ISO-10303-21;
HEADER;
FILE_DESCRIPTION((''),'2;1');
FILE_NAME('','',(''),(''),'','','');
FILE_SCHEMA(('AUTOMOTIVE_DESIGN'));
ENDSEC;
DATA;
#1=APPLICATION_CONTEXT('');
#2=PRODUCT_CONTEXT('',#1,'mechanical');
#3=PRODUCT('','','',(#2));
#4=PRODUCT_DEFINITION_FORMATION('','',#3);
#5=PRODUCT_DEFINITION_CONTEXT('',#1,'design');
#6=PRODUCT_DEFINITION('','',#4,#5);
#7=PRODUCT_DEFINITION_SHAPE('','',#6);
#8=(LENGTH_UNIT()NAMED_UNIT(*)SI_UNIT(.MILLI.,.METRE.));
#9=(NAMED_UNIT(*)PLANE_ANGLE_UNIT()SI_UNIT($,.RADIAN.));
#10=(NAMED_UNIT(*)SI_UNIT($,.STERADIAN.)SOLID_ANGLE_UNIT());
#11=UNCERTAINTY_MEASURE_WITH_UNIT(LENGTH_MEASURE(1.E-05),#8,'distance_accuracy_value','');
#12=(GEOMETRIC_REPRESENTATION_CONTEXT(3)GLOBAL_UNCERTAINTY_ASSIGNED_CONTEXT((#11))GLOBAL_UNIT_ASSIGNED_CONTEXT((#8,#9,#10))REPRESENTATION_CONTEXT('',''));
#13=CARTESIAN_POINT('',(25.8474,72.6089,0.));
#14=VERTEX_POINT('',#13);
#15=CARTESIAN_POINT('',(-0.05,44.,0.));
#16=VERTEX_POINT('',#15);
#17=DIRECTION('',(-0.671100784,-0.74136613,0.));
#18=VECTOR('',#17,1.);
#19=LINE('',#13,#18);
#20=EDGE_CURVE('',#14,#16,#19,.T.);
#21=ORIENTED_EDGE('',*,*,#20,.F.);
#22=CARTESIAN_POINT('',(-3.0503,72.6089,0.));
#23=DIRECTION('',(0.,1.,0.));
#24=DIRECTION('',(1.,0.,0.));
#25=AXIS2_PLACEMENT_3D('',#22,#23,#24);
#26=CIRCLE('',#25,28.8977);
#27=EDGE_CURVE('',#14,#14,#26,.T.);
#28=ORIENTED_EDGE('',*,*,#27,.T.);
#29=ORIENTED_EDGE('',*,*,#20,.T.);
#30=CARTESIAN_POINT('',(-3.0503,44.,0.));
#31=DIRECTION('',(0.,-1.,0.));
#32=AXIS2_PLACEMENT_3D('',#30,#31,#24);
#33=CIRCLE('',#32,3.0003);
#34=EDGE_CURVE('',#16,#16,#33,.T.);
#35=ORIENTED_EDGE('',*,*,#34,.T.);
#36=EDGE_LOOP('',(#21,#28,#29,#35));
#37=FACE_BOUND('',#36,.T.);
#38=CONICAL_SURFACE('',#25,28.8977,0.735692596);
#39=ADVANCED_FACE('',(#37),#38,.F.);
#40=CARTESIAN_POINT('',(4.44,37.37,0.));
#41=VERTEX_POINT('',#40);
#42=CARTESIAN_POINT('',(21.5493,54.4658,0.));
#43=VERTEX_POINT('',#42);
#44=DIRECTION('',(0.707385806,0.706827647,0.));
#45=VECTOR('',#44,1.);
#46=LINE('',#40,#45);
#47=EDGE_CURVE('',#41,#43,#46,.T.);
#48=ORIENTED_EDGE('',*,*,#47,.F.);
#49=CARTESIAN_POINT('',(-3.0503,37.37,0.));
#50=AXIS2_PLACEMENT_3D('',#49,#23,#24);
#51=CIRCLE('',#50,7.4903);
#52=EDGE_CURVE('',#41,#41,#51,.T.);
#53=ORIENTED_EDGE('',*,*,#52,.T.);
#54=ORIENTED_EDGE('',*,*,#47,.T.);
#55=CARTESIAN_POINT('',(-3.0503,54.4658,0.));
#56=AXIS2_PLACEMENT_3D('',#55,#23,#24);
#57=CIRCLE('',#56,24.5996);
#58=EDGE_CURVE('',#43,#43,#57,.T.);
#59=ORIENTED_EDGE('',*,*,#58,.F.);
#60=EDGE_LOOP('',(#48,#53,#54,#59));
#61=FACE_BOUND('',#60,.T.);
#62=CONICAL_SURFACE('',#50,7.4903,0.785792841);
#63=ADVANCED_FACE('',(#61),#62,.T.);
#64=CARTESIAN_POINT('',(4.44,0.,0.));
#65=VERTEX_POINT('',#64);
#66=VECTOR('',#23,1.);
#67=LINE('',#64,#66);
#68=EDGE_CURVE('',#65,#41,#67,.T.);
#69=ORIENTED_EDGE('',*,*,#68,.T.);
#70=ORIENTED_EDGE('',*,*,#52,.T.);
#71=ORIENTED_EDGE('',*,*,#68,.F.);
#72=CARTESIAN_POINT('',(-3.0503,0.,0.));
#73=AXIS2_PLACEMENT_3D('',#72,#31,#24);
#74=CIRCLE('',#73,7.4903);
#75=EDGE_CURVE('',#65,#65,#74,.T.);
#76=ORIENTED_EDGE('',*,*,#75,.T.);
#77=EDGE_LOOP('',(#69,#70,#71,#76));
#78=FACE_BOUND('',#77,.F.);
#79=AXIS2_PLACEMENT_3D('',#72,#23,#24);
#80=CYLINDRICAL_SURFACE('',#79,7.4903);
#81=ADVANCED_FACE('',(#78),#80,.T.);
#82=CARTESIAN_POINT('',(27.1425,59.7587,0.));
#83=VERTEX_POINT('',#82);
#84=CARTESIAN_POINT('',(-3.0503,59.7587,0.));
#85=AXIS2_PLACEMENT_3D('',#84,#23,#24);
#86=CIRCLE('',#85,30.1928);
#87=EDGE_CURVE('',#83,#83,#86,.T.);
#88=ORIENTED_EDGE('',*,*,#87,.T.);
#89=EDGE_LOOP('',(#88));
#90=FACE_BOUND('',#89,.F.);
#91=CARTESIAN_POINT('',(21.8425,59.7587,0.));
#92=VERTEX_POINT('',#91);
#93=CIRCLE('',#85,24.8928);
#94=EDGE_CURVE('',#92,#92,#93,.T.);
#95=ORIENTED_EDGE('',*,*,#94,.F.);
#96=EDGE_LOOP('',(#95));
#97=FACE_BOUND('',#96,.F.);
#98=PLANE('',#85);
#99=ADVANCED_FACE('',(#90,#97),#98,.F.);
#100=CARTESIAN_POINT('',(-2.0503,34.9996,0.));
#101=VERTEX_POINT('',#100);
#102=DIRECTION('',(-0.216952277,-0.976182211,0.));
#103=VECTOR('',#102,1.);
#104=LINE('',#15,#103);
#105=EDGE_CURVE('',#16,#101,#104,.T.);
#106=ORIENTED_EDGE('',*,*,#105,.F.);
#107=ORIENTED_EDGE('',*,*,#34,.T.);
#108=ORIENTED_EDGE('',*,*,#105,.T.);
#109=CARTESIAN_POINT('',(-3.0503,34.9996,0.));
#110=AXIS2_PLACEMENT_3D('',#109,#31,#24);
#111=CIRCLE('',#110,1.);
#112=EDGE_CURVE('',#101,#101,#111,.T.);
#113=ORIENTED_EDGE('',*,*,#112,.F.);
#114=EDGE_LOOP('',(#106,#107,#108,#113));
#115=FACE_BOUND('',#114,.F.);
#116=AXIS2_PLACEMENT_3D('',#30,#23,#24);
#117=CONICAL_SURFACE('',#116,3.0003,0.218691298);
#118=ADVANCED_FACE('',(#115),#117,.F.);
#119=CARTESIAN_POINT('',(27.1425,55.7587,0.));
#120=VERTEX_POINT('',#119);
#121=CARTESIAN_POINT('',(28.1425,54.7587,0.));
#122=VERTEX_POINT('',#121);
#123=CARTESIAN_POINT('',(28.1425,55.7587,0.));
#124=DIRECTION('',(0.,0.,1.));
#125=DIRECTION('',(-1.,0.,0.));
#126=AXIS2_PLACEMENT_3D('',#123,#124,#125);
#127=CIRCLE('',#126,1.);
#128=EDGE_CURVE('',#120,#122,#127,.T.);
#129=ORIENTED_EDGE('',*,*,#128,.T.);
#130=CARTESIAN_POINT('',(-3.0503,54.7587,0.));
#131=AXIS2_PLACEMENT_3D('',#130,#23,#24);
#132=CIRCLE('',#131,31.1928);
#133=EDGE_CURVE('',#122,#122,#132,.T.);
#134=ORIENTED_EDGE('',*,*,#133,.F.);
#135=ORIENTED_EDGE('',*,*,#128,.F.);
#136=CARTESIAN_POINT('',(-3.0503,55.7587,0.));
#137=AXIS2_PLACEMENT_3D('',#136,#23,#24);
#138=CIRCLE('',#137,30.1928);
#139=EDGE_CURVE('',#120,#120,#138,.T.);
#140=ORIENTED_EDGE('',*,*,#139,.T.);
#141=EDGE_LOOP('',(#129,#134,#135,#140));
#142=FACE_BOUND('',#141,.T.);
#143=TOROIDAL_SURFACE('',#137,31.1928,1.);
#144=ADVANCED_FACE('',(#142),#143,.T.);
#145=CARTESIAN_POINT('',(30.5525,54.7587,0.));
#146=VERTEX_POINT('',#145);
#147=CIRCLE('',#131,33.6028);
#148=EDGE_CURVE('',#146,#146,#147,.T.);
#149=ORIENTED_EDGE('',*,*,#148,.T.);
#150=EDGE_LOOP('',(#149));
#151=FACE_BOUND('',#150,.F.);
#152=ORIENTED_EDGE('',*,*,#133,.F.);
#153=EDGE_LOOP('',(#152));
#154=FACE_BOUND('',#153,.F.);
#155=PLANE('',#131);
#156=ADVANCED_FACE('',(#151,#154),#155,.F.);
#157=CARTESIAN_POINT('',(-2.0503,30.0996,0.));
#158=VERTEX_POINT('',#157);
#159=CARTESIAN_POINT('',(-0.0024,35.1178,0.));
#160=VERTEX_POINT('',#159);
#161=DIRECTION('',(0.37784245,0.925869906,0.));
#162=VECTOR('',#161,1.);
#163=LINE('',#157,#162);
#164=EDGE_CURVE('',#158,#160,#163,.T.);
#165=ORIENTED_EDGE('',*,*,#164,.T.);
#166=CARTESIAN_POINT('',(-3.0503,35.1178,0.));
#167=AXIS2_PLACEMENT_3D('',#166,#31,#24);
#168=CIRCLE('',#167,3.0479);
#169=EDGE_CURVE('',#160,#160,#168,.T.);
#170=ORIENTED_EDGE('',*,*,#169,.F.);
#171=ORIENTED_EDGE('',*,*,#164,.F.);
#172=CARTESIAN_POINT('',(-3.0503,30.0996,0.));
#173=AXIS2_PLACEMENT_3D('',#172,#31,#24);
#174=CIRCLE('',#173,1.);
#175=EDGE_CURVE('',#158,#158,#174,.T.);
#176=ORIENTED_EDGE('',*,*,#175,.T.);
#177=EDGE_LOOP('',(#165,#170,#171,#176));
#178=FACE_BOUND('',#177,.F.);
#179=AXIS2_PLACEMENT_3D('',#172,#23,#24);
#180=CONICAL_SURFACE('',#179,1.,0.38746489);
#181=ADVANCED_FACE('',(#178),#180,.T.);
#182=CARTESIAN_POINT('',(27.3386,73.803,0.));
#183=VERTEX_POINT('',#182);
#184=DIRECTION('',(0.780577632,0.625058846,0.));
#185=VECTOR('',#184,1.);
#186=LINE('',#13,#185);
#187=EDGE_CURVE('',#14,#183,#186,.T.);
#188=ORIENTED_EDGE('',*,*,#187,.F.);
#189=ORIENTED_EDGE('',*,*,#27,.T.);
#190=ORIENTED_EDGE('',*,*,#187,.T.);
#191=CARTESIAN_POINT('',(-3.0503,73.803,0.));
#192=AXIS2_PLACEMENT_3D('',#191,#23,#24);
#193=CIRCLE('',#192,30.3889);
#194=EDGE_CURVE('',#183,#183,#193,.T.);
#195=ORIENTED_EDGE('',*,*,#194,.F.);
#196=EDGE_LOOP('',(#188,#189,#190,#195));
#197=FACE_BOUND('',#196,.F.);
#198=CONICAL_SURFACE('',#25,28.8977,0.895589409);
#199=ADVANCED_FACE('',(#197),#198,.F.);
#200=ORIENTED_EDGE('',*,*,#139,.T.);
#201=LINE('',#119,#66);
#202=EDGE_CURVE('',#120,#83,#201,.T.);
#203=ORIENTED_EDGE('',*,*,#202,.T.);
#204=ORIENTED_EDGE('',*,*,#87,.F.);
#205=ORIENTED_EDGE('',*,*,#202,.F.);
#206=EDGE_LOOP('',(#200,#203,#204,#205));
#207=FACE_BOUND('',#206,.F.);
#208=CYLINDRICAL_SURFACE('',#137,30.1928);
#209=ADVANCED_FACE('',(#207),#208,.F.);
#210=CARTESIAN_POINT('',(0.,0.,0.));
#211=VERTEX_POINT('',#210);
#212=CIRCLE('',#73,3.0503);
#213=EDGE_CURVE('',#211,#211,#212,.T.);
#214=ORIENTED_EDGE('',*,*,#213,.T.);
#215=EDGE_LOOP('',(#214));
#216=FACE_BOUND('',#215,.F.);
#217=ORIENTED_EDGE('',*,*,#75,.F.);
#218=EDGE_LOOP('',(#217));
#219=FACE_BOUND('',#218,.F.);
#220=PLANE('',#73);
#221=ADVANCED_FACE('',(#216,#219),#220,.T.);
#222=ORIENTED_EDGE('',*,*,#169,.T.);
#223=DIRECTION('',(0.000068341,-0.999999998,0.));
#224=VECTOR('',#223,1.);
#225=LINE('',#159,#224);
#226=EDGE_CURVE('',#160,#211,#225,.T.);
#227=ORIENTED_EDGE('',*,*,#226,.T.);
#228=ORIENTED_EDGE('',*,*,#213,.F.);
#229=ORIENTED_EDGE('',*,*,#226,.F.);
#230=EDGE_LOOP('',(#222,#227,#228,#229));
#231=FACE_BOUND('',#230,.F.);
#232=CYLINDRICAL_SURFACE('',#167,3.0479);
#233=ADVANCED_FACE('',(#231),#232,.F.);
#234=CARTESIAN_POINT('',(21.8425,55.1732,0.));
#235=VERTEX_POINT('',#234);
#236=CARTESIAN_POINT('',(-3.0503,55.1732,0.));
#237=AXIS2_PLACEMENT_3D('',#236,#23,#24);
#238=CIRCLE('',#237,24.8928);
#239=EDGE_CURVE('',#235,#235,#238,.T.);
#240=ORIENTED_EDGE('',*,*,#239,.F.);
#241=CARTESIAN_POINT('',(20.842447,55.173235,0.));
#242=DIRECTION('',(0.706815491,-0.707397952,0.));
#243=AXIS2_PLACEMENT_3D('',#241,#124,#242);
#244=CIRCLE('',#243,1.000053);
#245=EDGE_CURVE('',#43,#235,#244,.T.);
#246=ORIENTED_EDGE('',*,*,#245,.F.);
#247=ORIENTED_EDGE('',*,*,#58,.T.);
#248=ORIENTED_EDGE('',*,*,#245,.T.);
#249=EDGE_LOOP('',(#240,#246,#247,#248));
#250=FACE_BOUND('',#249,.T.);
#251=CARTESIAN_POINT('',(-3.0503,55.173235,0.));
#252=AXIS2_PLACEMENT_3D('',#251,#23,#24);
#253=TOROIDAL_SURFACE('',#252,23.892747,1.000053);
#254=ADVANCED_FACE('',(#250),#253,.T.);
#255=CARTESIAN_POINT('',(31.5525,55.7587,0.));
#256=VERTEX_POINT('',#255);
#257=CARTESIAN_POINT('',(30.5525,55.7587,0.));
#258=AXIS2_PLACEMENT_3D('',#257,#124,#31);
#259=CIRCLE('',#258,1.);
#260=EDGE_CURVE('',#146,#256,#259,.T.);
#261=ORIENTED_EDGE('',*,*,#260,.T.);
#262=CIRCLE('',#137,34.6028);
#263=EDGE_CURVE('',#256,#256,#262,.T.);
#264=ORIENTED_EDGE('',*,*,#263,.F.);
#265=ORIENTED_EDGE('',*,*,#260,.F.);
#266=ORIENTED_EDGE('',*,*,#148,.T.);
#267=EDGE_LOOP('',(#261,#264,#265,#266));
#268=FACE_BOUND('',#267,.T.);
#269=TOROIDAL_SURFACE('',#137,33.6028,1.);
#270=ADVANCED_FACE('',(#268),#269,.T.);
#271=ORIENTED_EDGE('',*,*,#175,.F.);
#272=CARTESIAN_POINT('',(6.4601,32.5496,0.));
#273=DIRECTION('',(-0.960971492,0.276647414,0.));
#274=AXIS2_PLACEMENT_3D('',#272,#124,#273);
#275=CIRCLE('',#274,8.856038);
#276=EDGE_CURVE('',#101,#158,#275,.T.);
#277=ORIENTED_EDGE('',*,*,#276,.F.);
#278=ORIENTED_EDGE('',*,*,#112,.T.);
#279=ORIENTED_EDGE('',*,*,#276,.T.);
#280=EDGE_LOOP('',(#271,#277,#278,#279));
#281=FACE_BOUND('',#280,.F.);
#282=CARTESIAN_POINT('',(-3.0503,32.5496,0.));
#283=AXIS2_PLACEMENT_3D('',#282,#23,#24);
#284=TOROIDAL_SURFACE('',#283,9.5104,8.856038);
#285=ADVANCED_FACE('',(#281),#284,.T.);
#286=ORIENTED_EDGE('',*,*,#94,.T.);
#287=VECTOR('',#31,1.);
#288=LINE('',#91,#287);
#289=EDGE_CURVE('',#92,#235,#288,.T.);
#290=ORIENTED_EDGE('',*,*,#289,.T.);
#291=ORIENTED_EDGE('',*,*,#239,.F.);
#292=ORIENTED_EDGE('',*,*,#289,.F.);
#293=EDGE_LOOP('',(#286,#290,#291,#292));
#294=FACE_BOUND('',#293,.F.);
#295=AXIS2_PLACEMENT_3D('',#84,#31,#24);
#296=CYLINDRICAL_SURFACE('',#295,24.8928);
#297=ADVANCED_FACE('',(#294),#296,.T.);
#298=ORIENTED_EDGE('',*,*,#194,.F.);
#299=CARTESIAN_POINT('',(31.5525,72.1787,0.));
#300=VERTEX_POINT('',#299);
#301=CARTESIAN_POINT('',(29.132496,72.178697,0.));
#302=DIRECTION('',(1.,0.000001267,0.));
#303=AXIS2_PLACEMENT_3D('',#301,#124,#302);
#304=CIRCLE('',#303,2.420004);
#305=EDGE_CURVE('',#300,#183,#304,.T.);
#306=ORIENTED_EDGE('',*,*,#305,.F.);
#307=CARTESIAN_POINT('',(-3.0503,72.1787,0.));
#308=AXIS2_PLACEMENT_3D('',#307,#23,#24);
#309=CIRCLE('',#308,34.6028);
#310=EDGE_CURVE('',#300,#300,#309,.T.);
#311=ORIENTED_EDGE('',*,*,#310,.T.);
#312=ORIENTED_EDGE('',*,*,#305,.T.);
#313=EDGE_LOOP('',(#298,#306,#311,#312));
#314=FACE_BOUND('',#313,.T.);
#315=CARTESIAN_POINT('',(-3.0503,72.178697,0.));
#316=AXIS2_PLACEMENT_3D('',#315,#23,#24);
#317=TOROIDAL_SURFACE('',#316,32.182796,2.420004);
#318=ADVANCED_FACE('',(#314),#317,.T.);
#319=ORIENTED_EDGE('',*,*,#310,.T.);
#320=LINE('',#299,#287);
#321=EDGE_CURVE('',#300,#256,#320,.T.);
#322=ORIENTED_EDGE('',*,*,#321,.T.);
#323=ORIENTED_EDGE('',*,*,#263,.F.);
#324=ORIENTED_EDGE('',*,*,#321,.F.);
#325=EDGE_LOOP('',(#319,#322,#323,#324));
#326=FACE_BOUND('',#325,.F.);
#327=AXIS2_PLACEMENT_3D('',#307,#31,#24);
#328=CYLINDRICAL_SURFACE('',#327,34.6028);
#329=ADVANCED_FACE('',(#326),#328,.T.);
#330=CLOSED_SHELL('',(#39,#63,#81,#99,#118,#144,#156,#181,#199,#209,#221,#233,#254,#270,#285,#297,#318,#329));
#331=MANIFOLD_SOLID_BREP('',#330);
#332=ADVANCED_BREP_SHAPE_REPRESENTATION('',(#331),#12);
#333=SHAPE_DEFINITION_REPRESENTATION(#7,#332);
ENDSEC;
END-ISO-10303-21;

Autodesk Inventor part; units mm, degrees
ref_plane "YZ Plane" through (0, 0, 0) normal (1, 0, 0) x (0, 1, 0)
ref_plane "XZ Plane" through (0, 0, 0) normal (0, 1, 0) x (-1, 0, 0)
ref_plane "XY Plane" through (0, 0, 0) normal (0, 0, 1) x (1, 0, 0)
sketch "Sketch1" plane through (0, 0, 0) normal (0, 0, 1) x (1, 0, 0)
  line L0 (0, 0) -> (4.44, 0)
  line L1 (4.44, 0) -> (4.44, 44)
  line L2 (4.44, 44) -> (-0.05, 44)
  line L3 (-0.05, 44) -> (-2.0503, 34.9996)
  line L4 (-0.05, 44) -> (9.17, 44) construction
  line L5 (-2.0503, 34.9996) -> (-2.0503, 30.0996) construction
  arc A0 (-2.0503, 34.9996) -> (-2.0503, 30.0996) centre (6.4601, 32.5496) ccw
  line L6 (-2.0503, 30.0996) -> (-0.0024, 35.1178)
  line L7 (-2.0503, 30.0996) -> (3.3697, 30.0996) construction
  line L8 (-0.0024, 35.1178) -> (0, 0)
  line L9 (0, 0) -> (4.44, 0)
  line L10 (-3.0503, 44) -> (-3.0503, 0) construction
  dimension "d0" = 4.44
  dimension "d1" = 44
  dimension "d2" = 4.49
  dimension "d5" = 9.22
  dimension "d6" = 102.53
  dimension "d7" = 4.9
  dimension "d8" = 5.42
  dimension "d9" = 67.8
  dimension "d10" = 1
revolve "Revolution1" add sketch "Sketch1" angle 360 about axis through (-3.0503, 44, 0) along (0, -1, 0)
sketch "Sketch2" plane through (0, 0, 0) normal (0, 0, 1) x (1, 0, 0)
  line L0 (-2.0503, 34.9996) -> (-0.05, 44) projected
  arc A0 (31.5525, 72.1787) -> (27.3386, 73.803) centre (29.1325, 72.1787) ccw
  line L1 (25.8474, 72.6089) -> (27.3386, 73.803)
  line L2 (31.5525, 72.1787) -> (31.5525, 55.7587)
  line L3 (30.5525, 54.7587) -> (28.1425, 54.7587)
  line L4 (27.1425, 55.7587) -> (27.1425, 59.7587)
  line L5 (27.1425, 59.7587) -> (21.8425, 59.7587)
  line L6 (21.8425, 59.7587) -> (21.8425, 55.1732)
  line L7 (4.44, 37.37) -> (21.5493, 54.4658)
  arc A1 (27.1425, 55.7587) -> (28.1425, 54.7587) centre (28.1425, 55.7587) ccw
  arc A2 (30.5525, 54.7587) -> (31.5525, 55.7587) centre (30.5525, 55.7587) ccw
  line L8 (-6.0506, 44) -> (-0.05, 44) projected
  line L9 (-0.05, 44) -> (4.44, 44)
  arc A3 (21.5493, 54.4658) -> (21.8425, 55.1732) centre (20.8425, 55.1732) ccw
  line L10 (-0.05, 44) -> (4.44, 44)
  line L11 (4.44, 44) -> (4.44, 37.37)
  line L12 (4.44, 44) -> (4.44, 0) projected
  line L13 (25.8474, 72.6089) -> (-0.05, 44)
  line L14 (-3.0503, -1.6042) -> (-3.0503, 46.7159) construction
  point P0 (0, 0)
  point P1 (31.5525, 54.7587)
  point P2 (27.1425, 54.7587)
  dimension "d14" = 4.84
  dimension "d16" = 17.42
  dimension "d18" = 4.41
  dimension "d19" = 5
  dimension "d20" = 5.3
  dimension "d21" = 6.63
  dimension "d22" = 1
  dimension "d23" = 1
revolve "Revolution2" add sketch "Sketch2" angle 360 about axis through (-3.0503, -1.6042, 0) along (0, 1, 0)
properties part number "Electrode Funnel v0.6.2"
